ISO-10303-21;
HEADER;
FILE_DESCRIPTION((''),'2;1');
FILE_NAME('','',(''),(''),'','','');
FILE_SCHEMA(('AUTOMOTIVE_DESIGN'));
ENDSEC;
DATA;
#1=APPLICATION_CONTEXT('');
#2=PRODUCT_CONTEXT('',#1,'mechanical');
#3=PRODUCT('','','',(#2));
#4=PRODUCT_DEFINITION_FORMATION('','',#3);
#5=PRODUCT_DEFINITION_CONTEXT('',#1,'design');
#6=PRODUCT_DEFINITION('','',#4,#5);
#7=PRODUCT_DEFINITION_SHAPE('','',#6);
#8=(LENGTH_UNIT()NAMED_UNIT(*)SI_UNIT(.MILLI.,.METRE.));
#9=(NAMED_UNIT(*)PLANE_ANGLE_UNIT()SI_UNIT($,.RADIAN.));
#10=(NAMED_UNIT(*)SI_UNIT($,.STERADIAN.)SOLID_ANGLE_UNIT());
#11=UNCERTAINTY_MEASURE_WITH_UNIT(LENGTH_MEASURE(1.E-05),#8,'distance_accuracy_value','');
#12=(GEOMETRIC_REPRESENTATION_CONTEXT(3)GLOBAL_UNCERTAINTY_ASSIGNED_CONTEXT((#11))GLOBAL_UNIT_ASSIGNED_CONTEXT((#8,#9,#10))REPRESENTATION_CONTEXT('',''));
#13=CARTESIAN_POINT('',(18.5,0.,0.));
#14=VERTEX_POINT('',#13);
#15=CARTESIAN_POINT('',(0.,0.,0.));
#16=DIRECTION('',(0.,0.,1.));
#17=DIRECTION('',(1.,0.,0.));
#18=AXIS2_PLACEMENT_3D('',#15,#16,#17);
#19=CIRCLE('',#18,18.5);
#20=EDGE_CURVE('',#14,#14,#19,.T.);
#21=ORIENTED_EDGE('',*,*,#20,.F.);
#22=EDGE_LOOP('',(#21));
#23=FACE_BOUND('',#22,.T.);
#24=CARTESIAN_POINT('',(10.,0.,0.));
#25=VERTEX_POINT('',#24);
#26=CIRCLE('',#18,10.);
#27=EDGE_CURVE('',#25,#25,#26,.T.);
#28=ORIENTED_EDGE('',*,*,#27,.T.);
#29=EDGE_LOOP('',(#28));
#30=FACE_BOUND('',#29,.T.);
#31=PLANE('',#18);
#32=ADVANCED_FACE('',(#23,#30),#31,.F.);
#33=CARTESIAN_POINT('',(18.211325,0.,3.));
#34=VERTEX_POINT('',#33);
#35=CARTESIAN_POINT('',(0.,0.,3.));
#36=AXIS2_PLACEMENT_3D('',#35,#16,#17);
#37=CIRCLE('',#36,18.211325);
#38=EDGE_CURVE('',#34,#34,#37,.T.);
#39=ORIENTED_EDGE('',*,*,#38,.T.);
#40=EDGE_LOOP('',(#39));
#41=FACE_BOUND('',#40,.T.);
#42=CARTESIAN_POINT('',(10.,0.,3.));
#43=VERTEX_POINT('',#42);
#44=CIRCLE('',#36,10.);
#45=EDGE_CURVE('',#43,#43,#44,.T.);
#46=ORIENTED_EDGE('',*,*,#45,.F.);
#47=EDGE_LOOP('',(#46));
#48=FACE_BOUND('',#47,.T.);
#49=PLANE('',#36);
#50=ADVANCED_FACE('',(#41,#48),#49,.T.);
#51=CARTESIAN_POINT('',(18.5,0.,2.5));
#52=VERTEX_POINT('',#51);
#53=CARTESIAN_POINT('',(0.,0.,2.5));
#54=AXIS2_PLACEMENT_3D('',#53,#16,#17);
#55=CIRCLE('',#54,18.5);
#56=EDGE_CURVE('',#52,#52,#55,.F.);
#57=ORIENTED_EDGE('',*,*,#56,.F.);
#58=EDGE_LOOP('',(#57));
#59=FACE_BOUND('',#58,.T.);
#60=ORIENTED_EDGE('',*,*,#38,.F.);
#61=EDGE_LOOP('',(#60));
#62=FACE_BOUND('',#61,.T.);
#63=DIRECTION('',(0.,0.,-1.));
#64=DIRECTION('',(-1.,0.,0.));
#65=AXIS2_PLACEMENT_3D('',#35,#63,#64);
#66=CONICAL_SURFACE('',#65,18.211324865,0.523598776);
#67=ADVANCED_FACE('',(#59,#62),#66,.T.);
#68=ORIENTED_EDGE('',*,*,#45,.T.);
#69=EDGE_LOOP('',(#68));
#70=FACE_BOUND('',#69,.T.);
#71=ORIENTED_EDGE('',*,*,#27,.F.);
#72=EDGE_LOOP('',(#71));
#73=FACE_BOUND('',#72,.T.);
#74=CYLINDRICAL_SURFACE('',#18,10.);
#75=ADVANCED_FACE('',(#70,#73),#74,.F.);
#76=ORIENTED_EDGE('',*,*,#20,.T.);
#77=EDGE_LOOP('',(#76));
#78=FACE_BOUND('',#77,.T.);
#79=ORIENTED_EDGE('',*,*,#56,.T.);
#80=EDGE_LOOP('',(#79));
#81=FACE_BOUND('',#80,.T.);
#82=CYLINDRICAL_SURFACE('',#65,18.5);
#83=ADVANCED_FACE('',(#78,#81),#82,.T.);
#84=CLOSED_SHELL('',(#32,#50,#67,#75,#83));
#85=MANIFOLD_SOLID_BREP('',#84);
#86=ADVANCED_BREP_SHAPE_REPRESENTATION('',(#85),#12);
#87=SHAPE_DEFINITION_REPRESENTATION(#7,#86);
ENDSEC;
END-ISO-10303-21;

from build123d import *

# Parameters (mm, degrees)
SKETCH_1_R          = 18.5
EXTRUDE_2_DEPTH     = 3
SKETCH_2_R          = 10
CUT_EXTRUDE_1_DEPTH = 27.334388165
CHAMFER_1_SIZE      = 0.5
CHAMFER_1_SIZE2     = 0.288675135


with BuildPart() as part:
    # 草图1 → 拉伸2 (new body)
    with BuildSketch(Plane.XY):
        Circle(SKETCH_1_R)
    extrude(amount=EXTRUDE_2_DEPTH)

    # 草图2 → 切除-拉伸1 (cut, through all)
    with BuildSketch(Plane.XY.offset(3)):
        Circle(SKETCH_2_R)
    extrude(amount=-CUT_EXTRUDE_1_DEPTH, mode=Mode.SUBTRACT)

    # 倒角1
    chamfer_1_edges = [part.edges().sort_by_distance(p)[0] for p in [
        (-18.5, 0, 3),
    ]]
    chamfer_1_side = [part.faces().sort_by_distance(p)[0] for p in [
        (-18.5, 0, 1.5),
    ]]
    chamfer(chamfer_1_edges, length=CHAMFER_1_SIZE, length2=CHAMFER_1_SIZE2, reference=chamfer_1_side[0])


solid = part.part
